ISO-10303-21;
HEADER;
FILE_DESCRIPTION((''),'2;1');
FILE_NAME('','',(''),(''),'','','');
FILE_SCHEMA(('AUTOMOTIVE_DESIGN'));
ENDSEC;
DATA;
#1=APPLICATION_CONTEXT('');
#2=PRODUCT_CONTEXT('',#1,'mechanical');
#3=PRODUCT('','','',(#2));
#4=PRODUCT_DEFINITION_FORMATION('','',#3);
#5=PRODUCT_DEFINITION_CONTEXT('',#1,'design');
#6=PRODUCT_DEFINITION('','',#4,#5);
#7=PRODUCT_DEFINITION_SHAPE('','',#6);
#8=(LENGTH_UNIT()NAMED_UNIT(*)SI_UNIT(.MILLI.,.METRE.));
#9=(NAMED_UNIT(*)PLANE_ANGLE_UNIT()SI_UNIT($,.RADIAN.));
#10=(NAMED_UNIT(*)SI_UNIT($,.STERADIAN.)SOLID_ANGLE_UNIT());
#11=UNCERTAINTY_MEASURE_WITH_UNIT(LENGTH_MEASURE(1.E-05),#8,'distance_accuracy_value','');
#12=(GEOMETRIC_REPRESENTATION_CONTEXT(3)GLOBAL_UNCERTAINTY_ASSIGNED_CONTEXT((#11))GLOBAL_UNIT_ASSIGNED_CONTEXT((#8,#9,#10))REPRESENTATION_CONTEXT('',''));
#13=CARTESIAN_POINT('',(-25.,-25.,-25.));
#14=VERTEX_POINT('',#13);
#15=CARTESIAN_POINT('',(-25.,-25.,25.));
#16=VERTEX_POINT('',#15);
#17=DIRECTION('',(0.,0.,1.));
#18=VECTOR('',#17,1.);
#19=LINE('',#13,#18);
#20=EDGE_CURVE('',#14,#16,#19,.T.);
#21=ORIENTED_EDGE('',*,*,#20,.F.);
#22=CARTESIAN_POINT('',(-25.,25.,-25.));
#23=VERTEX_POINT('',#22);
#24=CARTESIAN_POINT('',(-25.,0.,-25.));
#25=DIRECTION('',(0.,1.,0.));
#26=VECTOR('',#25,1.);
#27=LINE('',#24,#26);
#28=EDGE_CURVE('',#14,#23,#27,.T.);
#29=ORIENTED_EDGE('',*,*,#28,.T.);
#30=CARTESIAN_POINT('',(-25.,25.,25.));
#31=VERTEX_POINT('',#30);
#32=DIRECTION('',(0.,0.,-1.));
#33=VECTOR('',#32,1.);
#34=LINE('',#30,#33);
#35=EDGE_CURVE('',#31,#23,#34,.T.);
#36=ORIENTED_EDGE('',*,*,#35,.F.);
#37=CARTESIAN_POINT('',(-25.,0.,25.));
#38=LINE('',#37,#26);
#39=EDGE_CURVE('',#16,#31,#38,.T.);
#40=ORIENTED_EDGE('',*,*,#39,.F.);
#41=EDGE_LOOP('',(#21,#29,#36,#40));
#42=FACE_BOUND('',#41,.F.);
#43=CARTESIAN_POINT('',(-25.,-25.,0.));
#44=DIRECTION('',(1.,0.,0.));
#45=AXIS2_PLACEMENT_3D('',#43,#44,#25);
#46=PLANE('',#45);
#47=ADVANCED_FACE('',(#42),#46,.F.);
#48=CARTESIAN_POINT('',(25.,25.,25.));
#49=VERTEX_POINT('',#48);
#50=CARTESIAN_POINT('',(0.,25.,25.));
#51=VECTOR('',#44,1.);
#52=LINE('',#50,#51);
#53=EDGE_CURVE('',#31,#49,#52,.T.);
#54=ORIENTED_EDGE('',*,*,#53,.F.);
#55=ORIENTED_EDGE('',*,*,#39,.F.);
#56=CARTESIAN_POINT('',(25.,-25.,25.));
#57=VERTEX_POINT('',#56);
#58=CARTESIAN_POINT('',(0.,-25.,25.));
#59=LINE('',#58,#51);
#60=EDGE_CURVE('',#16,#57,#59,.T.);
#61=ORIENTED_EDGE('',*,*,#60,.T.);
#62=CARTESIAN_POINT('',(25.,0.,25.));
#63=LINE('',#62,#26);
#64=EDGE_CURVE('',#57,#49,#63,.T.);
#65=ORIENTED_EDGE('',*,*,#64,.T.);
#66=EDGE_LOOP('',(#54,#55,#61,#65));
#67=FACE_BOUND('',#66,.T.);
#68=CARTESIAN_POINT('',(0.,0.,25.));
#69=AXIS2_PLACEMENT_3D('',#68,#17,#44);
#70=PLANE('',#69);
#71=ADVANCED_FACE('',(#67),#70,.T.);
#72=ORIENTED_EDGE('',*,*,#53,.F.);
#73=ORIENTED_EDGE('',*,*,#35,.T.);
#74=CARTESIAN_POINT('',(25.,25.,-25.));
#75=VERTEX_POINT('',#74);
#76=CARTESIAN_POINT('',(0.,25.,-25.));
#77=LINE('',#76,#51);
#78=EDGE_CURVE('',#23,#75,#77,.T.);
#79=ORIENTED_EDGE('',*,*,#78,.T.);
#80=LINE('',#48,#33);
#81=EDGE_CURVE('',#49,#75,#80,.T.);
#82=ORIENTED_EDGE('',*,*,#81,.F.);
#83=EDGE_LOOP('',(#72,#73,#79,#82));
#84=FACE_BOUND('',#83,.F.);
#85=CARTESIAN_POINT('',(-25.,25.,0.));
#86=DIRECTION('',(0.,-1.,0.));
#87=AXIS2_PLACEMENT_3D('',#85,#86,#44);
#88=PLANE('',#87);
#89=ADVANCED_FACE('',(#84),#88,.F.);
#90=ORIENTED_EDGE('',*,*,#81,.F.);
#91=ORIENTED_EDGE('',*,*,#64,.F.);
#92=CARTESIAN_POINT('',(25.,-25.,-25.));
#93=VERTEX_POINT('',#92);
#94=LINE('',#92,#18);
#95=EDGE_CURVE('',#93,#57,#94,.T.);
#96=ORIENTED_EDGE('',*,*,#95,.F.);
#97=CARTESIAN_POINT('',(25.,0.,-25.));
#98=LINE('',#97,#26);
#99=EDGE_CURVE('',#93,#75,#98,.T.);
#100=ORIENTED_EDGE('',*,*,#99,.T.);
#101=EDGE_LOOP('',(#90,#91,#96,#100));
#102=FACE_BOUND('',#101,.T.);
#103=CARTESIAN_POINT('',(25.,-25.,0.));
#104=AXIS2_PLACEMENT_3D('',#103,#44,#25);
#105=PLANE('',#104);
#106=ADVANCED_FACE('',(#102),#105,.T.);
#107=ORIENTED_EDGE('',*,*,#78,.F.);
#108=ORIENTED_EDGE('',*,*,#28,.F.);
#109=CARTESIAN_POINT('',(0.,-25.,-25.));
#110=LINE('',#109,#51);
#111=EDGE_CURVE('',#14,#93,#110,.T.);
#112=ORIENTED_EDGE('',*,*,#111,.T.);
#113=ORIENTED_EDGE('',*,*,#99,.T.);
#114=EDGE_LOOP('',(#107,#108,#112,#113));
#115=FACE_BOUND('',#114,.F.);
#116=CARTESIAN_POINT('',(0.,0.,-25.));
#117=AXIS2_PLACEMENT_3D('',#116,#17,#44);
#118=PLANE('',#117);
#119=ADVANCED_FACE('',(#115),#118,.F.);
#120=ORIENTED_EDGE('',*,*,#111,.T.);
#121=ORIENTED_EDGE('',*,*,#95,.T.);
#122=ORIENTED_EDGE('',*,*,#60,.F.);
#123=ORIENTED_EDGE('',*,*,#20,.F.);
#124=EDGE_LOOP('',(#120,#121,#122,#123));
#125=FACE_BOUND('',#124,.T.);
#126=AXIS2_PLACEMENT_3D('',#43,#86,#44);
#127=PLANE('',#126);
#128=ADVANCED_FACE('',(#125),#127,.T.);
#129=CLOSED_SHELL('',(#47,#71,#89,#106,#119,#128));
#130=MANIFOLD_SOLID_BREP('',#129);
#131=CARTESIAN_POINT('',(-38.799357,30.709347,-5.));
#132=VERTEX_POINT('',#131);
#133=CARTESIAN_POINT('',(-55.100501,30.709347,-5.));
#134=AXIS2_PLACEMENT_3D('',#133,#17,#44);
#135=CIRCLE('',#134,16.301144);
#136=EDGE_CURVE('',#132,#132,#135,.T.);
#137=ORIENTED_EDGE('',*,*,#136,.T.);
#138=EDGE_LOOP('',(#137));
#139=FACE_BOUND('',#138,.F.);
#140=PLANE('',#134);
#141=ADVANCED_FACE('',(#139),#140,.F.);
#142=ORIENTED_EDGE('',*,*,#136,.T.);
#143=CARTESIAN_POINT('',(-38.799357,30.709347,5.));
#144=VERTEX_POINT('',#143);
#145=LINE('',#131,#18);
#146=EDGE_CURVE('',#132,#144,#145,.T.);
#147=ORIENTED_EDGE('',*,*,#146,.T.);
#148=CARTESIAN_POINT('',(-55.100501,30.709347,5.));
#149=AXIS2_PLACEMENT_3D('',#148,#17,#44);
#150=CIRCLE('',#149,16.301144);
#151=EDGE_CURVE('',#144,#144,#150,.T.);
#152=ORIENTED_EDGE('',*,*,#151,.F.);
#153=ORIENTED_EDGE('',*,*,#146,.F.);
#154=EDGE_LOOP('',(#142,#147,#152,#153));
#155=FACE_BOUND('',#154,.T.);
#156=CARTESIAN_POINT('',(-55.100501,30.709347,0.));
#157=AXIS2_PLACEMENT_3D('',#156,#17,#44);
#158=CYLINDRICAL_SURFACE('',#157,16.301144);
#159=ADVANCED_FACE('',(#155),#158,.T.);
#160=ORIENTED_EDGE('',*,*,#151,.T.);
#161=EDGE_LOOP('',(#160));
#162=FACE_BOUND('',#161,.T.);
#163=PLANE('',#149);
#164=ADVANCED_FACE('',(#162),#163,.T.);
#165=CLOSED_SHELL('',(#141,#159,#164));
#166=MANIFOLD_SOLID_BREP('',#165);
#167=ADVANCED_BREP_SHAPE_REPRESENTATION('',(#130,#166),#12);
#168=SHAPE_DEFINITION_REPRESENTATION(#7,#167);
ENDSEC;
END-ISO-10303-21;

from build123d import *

# Parameters (mm, degrees)
F0_W     = 50
F0_H     = 50
F1_DEPTH = 25
F2_R     = 16.301144
F3_DEPTH = 5


with BuildPart() as f1:
    # F0 (on Top) → F1 (new body, symmetric)
    with BuildSketch(Plane.XY):
        Rectangle(F0_W, F0_H)
    extrude(amount=F1_DEPTH, both=True)


with BuildPart() as f3:
    # F2 (on Top) → F3 (new body, symmetric)
    with BuildSketch(Plane.XY):
        with Locations((-55.100501, 30.709347)):
            Circle(F2_R)
    extrude(amount=F3_DEPTH, both=True)


solid = Compound([f1.part, f3.part])
